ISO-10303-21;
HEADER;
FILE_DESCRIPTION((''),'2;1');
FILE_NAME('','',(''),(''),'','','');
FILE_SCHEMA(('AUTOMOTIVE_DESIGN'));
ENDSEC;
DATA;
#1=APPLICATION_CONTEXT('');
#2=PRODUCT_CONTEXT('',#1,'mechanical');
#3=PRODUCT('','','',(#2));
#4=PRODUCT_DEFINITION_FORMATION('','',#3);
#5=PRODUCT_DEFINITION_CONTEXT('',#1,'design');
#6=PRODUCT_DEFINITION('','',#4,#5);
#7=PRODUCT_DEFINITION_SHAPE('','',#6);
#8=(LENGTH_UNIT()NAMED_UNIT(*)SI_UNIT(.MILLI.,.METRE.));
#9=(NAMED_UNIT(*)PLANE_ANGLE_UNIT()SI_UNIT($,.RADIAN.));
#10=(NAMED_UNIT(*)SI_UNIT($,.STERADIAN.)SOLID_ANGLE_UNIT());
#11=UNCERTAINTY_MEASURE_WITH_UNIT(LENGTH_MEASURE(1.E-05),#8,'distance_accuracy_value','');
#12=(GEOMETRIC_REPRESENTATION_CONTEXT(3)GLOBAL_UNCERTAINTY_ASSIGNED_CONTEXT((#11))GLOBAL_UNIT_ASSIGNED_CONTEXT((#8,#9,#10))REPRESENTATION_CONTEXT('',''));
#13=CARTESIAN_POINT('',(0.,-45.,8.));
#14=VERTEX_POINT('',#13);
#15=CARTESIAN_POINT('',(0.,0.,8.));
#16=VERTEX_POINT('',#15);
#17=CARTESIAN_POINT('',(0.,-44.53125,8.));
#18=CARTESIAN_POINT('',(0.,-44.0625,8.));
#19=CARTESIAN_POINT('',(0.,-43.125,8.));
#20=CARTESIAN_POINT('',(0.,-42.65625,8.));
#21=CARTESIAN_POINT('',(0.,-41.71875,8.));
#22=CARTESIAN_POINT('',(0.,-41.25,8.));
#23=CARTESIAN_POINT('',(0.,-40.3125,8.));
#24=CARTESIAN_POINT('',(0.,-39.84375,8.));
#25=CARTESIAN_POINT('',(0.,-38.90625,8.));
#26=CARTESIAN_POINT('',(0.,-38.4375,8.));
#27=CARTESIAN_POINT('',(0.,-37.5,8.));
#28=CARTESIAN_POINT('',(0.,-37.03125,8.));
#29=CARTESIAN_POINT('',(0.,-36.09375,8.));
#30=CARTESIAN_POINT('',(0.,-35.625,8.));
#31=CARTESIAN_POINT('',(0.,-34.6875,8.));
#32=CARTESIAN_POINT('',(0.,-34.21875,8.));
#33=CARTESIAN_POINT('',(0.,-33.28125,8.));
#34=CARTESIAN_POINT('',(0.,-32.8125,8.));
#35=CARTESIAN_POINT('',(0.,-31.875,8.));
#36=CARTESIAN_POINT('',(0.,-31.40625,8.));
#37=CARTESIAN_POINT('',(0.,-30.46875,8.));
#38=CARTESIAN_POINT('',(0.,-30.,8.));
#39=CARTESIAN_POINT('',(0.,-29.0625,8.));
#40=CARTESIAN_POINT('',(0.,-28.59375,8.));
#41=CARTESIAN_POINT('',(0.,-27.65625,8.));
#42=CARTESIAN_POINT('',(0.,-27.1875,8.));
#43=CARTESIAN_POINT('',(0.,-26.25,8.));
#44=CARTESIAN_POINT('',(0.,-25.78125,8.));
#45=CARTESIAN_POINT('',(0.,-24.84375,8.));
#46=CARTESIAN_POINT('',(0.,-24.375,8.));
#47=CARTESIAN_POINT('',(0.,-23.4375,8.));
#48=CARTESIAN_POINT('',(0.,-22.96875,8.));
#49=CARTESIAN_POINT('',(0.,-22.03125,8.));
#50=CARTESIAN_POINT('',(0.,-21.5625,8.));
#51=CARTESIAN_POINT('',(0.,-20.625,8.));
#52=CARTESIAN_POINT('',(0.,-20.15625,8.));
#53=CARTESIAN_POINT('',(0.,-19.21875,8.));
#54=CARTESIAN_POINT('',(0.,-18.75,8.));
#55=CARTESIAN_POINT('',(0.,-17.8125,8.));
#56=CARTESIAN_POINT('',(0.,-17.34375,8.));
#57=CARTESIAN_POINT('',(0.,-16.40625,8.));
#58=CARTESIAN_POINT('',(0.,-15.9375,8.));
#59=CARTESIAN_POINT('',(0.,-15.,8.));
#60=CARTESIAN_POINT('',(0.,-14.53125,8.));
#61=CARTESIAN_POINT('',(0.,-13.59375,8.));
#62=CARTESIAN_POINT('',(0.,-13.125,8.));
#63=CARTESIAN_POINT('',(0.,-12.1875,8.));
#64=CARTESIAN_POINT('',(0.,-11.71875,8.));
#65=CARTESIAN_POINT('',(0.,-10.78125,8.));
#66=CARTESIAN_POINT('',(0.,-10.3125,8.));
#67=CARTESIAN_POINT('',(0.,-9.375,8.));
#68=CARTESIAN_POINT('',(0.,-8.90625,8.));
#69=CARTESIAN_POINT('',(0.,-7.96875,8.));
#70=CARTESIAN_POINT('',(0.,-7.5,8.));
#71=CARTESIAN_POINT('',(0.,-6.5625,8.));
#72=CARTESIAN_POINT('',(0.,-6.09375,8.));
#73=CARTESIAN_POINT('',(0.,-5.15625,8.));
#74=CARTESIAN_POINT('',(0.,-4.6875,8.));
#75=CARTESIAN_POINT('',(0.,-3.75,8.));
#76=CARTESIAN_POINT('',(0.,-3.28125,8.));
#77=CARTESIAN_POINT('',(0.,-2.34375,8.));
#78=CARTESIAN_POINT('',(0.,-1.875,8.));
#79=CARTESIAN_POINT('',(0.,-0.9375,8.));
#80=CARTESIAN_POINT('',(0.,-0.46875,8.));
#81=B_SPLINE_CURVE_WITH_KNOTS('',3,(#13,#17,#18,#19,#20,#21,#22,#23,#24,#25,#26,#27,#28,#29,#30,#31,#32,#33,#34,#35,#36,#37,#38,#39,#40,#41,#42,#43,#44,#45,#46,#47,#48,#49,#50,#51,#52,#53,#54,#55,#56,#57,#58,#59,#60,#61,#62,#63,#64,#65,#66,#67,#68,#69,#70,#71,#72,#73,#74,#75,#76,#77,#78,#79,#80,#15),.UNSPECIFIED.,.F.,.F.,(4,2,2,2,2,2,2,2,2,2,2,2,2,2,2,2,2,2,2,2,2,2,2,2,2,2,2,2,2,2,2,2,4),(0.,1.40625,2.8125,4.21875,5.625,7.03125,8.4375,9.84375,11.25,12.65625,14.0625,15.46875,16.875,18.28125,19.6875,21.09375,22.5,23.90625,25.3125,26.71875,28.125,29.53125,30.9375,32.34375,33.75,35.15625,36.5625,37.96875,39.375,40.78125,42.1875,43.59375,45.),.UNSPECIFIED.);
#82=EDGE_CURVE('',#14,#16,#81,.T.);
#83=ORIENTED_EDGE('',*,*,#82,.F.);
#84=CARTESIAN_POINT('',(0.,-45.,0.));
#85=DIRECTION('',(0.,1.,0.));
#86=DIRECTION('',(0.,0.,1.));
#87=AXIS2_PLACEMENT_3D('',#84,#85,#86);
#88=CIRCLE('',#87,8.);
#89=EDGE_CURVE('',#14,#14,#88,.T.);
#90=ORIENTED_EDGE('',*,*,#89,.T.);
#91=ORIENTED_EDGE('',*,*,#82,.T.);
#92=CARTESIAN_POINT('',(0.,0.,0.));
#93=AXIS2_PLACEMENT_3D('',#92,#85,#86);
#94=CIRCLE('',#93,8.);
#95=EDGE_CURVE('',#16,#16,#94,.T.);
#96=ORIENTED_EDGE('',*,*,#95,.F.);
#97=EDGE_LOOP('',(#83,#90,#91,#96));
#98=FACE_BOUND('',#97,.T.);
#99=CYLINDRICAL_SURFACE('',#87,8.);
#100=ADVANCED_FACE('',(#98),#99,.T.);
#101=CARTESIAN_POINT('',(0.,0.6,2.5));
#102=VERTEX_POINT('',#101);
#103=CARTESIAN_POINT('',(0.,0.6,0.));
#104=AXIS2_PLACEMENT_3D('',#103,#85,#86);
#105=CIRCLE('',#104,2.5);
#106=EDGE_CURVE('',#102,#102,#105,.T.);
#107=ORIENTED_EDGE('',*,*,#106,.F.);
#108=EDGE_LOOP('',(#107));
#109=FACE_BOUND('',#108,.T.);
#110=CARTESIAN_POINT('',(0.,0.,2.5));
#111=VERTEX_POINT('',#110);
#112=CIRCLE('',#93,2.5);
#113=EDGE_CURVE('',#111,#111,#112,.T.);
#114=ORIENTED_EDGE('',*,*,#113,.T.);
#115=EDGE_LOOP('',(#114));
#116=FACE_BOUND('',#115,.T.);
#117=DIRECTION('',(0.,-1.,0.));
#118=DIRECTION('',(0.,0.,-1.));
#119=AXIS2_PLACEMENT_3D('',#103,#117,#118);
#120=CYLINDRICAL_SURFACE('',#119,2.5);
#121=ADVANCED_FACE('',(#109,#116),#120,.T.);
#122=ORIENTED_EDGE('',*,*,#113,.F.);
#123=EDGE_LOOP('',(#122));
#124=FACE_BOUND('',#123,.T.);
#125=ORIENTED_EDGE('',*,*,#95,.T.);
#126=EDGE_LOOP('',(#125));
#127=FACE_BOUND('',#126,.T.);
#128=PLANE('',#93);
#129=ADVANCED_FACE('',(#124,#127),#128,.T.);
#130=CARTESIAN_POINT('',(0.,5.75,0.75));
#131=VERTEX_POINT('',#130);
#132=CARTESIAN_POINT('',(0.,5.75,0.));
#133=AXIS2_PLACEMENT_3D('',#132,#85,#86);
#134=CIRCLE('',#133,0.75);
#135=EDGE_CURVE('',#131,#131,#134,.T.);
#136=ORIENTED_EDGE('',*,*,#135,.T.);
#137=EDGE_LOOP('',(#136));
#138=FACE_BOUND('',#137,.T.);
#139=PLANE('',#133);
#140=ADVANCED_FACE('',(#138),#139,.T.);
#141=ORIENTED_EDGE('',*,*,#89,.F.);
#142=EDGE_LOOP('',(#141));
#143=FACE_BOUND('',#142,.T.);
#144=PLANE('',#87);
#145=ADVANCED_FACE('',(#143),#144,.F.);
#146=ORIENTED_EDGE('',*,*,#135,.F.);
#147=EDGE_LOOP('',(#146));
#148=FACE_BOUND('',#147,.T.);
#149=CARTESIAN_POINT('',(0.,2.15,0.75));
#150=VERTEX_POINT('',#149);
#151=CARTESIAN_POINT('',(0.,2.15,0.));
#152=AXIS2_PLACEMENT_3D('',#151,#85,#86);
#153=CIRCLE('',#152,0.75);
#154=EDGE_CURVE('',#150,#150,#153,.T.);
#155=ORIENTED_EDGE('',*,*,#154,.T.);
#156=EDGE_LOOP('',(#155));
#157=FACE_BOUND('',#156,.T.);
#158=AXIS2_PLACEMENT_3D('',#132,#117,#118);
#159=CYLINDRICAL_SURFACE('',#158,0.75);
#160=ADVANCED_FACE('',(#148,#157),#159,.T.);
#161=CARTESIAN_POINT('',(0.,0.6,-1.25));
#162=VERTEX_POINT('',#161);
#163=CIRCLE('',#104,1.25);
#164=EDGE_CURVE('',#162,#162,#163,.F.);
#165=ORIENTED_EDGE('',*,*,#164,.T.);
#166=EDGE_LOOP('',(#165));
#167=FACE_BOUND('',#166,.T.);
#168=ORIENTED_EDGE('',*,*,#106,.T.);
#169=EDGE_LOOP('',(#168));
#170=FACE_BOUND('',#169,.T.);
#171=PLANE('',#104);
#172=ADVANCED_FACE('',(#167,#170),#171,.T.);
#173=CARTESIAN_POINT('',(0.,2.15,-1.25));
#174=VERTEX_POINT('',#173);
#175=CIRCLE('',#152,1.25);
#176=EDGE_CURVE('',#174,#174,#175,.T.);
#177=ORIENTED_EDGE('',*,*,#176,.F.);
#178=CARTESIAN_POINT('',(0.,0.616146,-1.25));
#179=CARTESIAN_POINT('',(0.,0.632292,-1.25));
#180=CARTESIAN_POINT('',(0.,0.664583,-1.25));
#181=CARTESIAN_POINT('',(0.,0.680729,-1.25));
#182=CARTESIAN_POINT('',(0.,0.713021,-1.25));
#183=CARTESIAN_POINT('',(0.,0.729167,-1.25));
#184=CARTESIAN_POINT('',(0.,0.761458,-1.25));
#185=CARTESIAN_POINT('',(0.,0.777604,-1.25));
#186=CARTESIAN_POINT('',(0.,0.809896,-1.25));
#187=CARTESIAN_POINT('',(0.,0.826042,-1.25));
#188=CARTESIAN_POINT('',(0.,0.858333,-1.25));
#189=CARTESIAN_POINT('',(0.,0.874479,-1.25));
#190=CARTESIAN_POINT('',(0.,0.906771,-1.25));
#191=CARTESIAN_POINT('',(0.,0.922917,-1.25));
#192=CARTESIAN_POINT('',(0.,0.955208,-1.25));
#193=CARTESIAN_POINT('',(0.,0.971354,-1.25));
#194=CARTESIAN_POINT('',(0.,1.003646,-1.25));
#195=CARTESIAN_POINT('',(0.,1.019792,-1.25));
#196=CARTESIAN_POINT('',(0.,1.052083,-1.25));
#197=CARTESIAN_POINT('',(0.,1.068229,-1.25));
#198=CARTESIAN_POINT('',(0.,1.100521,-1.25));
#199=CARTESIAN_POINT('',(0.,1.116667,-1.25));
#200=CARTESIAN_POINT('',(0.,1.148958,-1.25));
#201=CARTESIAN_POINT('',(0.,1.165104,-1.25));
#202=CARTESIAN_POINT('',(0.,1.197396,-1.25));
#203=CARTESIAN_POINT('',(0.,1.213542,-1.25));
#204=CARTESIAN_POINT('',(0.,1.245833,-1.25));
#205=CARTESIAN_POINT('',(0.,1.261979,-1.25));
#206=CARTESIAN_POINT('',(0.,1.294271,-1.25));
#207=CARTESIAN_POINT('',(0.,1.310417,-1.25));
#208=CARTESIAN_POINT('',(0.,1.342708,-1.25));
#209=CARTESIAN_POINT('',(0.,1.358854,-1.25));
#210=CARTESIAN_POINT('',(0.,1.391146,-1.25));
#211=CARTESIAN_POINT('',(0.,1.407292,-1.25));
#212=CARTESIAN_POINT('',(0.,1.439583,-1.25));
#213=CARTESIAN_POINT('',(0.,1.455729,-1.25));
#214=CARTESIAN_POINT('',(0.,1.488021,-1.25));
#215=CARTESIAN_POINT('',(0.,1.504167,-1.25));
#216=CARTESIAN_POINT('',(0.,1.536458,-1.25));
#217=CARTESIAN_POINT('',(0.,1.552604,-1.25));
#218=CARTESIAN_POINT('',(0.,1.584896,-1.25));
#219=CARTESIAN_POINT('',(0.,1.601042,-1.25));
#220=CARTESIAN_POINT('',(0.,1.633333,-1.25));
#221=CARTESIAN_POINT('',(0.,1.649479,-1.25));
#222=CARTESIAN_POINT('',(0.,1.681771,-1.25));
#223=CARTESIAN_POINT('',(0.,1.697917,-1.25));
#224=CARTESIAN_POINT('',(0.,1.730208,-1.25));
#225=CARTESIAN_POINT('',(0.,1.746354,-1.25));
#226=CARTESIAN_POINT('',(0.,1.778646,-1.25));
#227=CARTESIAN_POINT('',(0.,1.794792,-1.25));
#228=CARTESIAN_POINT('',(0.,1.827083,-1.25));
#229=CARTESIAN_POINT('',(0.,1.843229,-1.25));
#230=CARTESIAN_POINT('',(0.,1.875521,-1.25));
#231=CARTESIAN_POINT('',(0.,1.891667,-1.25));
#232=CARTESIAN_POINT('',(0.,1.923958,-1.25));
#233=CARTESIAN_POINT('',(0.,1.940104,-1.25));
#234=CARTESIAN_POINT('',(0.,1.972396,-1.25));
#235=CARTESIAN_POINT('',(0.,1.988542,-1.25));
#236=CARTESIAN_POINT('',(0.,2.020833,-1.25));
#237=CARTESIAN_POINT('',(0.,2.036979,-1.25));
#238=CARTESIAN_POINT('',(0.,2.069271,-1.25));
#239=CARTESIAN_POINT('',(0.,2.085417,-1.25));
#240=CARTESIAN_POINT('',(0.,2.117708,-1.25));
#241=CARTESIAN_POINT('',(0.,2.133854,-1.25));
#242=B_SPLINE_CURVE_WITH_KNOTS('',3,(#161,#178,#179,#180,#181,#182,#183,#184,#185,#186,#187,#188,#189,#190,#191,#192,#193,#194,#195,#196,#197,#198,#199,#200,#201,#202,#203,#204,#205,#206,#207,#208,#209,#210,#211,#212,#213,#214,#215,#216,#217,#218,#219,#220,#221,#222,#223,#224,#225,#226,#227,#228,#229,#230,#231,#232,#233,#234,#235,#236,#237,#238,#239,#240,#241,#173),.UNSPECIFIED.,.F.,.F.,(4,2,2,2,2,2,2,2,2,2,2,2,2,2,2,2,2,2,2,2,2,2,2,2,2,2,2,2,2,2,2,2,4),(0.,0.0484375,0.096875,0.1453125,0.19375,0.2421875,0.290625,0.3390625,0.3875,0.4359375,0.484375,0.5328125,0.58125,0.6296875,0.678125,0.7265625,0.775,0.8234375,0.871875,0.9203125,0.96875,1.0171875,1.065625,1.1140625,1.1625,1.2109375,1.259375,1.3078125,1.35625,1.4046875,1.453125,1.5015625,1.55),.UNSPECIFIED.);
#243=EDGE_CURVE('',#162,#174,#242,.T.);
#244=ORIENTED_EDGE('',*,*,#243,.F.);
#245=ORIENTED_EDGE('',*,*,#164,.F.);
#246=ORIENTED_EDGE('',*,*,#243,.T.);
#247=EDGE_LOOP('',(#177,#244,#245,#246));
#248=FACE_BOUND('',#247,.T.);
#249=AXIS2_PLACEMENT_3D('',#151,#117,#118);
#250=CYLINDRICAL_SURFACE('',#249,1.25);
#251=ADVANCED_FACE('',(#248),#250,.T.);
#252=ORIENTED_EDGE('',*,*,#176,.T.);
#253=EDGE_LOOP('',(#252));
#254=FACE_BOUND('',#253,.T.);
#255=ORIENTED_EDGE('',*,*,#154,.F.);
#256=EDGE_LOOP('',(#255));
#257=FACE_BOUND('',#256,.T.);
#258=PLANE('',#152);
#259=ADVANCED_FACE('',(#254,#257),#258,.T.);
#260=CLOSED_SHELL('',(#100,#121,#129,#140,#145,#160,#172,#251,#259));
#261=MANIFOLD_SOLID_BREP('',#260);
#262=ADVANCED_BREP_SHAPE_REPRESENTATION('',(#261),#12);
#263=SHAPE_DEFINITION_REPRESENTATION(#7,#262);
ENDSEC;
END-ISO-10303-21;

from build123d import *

# Parameters (mm, degrees)
SKETCH1_R           = 8
BOSS_EXTRUDE1_DEPTH = 45
SKETCH2_R           = 2.5
BOSS_EXTRUDE2_DEPTH = 0.6
SKETCH3_R           = 0.75
BOSS_EXTRUDE3_DEPTH = 5.75
SKETCH5_R           = 1.25
BOSS_EXTRUDE4_DEPTH = 2.15


with BuildPart() as part:
    # Sketch1 → Boss-Extrude1 (new body)
    with BuildSketch(Plane(origin=(0, 0, 0), x_dir=(1, 0, 0), z_dir=(0, 1, 0))):
        with Locations(Location((0, 0, 0), (0, 0, 270))):
            Circle(SKETCH1_R)
    extrude(amount=-BOSS_EXTRUDE1_DEPTH)

    # Sketch2 → Boss-Extrude2 (add)
    with BuildSketch(Plane(origin=(0, 0, 0), x_dir=(1, 0, 0), z_dir=(0, 1, 0))):
        with Locations(Location((0, 0, 0), (0, 0, 270))):
            Circle(SKETCH2_R)
    extrude(amount=BOSS_EXTRUDE2_DEPTH)

    # Sketch3 → Boss-Extrude3 (add)
    with BuildSketch(Plane(origin=(0, 0, 0), x_dir=(1, 0, 0), z_dir=(0, 1, 0))):
        with Locations(Location((0, 0, 0), (0, 0, 270))):
            Circle(SKETCH3_R)
    extrude(amount=BOSS_EXTRUDE3_DEPTH)

    # Sketch5 → Boss-Extrude4 (add)
    with BuildSketch(Plane(origin=(0, 0, 0), x_dir=(1, 0, 0), z_dir=(0, 1, 0))):
        with Locations(Location((0, 0, 0), (0, 0, 90))):
            Circle(SKETCH5_R)
    extrude(amount=BOSS_EXTRUDE4_DEPTH)


solid = part.part
